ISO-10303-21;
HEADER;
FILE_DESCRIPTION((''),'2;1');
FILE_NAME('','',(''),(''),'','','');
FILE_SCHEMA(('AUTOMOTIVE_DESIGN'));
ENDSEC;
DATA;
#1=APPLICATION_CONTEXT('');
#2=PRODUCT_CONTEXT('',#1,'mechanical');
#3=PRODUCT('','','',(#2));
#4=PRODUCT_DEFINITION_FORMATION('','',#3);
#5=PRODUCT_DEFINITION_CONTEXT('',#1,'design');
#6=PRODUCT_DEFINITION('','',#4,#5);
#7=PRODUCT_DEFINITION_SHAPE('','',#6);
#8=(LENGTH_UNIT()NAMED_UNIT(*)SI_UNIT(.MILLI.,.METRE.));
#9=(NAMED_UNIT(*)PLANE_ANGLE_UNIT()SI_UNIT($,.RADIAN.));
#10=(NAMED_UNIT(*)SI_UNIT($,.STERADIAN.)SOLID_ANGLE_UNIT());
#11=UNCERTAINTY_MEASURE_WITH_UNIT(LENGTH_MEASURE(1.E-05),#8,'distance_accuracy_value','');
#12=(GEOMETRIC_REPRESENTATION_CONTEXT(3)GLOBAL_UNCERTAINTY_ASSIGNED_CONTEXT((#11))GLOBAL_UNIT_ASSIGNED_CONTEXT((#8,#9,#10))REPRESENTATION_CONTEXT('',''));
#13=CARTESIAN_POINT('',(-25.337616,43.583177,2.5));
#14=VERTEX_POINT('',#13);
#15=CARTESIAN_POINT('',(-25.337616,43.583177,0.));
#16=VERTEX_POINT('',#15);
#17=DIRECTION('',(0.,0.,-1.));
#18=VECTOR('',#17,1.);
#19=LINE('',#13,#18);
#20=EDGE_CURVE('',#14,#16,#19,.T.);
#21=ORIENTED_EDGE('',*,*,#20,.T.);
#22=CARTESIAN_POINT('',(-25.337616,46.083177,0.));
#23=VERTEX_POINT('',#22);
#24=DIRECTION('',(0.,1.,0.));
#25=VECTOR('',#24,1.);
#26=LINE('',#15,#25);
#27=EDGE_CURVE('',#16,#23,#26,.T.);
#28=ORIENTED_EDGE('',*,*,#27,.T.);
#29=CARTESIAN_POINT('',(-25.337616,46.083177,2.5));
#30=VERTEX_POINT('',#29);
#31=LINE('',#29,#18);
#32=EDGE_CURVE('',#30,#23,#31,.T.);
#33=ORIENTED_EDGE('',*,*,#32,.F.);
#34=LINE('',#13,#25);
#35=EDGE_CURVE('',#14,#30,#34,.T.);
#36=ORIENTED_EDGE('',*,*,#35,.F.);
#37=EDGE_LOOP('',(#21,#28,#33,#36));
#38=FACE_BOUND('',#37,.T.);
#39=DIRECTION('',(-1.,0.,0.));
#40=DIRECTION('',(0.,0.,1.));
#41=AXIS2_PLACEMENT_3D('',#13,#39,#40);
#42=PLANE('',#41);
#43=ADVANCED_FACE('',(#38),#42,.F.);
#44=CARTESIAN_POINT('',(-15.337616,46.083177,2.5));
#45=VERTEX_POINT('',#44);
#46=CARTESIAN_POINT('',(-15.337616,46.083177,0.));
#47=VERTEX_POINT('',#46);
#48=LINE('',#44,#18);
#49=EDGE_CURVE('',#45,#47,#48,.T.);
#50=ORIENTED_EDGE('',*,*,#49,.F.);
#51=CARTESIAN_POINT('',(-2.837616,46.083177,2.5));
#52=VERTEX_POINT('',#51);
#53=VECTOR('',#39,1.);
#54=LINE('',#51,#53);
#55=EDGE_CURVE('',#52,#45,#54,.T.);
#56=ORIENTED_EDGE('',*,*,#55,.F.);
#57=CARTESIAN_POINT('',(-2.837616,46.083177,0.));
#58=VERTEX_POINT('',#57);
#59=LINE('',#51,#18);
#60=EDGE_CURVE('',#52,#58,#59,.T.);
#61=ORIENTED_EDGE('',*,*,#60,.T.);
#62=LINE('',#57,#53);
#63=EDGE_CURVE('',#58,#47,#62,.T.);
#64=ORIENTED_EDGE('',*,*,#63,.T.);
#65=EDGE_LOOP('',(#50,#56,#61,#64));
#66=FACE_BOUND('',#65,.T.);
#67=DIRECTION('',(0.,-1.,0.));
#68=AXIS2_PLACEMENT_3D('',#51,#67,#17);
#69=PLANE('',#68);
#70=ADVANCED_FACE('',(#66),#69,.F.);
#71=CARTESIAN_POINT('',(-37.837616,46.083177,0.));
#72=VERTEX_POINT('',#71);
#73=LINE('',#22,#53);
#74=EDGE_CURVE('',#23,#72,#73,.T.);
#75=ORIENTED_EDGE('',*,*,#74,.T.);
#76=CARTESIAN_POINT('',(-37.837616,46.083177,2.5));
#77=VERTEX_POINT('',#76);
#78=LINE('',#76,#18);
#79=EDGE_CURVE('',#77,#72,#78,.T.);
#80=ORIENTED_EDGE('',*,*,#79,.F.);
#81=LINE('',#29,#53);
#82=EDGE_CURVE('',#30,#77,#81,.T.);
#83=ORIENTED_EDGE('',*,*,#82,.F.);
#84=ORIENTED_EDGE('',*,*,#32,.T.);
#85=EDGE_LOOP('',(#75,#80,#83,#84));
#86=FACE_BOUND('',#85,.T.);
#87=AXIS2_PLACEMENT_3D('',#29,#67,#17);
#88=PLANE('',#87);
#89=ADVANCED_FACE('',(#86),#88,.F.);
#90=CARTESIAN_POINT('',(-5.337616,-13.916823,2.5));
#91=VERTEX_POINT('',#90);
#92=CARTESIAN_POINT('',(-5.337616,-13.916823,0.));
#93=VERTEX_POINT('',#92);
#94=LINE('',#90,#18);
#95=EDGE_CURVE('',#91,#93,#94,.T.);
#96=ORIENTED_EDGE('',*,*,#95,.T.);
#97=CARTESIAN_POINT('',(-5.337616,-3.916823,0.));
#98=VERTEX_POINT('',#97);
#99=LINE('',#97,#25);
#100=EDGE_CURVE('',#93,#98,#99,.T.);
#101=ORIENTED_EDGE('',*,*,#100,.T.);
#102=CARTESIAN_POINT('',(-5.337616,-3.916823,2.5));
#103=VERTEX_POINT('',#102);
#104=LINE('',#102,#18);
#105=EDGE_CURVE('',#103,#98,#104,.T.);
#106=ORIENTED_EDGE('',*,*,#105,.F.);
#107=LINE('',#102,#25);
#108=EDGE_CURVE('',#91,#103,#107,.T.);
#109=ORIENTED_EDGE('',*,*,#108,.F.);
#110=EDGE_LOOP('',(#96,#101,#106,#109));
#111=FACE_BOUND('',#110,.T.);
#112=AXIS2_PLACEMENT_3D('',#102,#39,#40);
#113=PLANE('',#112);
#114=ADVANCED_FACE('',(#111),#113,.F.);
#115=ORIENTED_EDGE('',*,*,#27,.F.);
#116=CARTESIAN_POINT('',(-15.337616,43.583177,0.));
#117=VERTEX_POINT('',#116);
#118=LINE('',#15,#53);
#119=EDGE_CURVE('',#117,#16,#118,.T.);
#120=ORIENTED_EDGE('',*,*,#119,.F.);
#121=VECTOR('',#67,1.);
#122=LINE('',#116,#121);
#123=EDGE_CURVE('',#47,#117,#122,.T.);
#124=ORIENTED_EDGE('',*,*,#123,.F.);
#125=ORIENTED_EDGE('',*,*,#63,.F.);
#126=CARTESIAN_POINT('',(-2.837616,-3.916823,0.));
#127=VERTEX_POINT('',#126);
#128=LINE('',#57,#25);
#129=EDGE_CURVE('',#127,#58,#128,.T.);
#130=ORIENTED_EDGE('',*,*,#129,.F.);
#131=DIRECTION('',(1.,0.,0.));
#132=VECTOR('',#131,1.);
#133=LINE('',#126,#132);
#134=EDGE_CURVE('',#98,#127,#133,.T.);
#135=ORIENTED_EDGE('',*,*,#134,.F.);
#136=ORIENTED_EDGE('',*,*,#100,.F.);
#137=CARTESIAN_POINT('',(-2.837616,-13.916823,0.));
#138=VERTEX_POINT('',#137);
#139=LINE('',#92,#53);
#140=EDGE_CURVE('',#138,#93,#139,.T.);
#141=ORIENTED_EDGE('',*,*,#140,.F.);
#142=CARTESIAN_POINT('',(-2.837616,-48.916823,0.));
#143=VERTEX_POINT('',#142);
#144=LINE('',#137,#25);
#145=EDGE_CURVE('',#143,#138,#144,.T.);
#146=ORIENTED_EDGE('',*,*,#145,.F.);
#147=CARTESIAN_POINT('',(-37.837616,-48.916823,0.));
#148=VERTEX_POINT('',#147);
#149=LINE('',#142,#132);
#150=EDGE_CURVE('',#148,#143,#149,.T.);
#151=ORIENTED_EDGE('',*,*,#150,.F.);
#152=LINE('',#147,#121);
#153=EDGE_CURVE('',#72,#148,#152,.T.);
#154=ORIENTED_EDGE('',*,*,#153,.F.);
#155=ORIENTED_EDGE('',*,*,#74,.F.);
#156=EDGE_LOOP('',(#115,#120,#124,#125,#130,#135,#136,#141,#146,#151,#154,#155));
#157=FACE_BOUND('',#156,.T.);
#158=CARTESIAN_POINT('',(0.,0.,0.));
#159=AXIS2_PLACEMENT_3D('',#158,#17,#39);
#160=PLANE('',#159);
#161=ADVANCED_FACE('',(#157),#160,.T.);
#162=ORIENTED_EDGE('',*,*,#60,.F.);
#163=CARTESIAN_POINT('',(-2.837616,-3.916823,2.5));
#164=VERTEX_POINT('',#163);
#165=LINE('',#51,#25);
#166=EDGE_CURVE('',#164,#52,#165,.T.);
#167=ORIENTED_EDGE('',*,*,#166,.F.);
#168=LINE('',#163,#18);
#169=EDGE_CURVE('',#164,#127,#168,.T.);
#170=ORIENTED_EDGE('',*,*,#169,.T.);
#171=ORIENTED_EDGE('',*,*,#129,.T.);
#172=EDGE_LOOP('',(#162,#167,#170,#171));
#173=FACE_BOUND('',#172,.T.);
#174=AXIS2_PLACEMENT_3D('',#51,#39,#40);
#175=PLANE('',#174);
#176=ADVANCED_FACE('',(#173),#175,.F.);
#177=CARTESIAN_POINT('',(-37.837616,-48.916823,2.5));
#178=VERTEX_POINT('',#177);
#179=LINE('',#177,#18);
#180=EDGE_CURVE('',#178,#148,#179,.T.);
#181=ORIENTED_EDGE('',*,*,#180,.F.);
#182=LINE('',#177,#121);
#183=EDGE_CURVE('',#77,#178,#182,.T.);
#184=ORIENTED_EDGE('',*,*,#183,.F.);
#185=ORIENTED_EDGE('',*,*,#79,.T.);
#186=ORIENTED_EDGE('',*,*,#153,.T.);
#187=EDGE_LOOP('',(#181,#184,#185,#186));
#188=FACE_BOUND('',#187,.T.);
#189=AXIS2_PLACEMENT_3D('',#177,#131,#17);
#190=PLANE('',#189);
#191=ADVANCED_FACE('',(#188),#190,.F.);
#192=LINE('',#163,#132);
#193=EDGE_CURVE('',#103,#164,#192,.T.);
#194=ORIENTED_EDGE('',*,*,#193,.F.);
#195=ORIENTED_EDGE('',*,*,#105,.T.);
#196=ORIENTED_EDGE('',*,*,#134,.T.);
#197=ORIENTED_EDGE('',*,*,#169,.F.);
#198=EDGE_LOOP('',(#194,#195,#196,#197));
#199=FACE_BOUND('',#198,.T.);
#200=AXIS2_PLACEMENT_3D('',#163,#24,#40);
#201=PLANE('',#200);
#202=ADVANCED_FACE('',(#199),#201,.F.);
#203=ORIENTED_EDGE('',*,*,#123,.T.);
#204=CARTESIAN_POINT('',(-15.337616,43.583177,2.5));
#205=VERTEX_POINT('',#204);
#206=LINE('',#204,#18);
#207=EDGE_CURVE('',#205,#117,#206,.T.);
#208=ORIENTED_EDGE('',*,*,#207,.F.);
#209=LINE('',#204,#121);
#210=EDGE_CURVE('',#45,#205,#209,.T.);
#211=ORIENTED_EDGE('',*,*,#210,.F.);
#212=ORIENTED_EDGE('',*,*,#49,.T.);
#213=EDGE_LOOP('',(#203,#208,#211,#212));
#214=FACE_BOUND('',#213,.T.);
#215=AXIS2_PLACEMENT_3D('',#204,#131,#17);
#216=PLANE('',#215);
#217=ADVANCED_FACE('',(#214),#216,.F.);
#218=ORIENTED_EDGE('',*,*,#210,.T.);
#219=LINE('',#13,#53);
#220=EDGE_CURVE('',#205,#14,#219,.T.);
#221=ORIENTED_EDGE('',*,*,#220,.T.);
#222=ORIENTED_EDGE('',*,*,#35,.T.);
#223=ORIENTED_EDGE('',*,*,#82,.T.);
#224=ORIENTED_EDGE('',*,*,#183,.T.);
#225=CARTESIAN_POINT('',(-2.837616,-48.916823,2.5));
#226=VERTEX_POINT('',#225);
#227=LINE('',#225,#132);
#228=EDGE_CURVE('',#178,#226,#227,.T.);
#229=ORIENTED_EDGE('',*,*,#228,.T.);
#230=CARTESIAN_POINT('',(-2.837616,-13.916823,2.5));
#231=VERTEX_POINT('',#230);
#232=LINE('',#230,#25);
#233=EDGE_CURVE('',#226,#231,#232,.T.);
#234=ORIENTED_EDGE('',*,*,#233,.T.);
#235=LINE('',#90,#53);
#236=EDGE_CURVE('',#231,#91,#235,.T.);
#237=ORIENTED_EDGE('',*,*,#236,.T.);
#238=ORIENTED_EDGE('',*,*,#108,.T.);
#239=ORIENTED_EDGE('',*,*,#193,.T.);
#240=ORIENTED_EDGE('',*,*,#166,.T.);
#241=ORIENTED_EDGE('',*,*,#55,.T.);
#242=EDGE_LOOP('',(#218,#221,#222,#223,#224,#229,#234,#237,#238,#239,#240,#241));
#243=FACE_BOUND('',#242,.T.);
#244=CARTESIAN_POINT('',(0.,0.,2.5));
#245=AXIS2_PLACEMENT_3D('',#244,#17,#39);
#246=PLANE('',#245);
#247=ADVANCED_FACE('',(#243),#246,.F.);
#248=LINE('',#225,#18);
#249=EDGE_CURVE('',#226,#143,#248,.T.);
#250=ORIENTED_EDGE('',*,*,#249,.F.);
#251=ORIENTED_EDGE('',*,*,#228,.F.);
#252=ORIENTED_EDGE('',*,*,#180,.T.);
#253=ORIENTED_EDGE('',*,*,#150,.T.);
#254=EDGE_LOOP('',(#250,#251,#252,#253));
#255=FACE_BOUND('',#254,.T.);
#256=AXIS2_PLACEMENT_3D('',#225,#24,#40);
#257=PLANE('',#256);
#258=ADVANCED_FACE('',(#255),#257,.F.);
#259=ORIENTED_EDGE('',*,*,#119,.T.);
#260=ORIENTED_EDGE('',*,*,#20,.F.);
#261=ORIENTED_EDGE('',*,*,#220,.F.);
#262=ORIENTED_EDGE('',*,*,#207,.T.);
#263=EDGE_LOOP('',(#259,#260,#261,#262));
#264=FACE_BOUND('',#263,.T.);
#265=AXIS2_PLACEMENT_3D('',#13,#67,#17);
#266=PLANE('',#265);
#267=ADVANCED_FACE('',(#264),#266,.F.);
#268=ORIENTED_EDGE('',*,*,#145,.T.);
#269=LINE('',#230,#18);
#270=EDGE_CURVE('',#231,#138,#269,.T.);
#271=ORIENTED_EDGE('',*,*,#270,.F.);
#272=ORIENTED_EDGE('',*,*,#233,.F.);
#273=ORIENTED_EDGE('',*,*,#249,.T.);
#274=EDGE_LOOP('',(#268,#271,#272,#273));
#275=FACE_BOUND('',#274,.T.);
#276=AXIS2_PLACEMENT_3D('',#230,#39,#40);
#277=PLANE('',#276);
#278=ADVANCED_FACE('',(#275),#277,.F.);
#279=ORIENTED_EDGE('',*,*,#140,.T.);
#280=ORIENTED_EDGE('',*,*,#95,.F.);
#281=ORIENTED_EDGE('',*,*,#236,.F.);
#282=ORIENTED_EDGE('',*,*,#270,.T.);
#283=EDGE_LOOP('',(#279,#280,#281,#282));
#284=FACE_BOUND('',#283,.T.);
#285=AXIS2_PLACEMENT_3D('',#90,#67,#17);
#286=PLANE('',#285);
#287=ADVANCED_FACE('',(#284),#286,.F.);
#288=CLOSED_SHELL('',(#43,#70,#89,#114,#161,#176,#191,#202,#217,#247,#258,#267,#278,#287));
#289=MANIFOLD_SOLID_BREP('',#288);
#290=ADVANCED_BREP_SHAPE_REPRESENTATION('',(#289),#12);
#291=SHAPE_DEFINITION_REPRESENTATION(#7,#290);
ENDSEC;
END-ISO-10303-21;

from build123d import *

# Parameters (mm, degrees)
BOSS_EXTRUDE1_DEPTH = 2.5


with BuildPart() as part:
    # Sketch1 → Boss-Extrude1 (new body)
    with BuildSketch(Plane.XY):
        Polygon((-2.837615564, 46.083177434), (-15.337615564, 46.083177434), (-15.337615564, 43.583177434), (-25.337615564, 43.583177434), (-25.337615564, 46.083177434), (-37.837615564, 46.083177434), (-37.837615564, -48.916822566), (-2.837615564, -48.916822566), (-2.837615564, -13.916822566), (-5.337615564, -13.916822566), (-5.337615564, -3.916822566), (-2.837615564, -3.916822566), align=None)
    extrude(amount=BOSS_EXTRUDE1_DEPTH)


solid = part.part
